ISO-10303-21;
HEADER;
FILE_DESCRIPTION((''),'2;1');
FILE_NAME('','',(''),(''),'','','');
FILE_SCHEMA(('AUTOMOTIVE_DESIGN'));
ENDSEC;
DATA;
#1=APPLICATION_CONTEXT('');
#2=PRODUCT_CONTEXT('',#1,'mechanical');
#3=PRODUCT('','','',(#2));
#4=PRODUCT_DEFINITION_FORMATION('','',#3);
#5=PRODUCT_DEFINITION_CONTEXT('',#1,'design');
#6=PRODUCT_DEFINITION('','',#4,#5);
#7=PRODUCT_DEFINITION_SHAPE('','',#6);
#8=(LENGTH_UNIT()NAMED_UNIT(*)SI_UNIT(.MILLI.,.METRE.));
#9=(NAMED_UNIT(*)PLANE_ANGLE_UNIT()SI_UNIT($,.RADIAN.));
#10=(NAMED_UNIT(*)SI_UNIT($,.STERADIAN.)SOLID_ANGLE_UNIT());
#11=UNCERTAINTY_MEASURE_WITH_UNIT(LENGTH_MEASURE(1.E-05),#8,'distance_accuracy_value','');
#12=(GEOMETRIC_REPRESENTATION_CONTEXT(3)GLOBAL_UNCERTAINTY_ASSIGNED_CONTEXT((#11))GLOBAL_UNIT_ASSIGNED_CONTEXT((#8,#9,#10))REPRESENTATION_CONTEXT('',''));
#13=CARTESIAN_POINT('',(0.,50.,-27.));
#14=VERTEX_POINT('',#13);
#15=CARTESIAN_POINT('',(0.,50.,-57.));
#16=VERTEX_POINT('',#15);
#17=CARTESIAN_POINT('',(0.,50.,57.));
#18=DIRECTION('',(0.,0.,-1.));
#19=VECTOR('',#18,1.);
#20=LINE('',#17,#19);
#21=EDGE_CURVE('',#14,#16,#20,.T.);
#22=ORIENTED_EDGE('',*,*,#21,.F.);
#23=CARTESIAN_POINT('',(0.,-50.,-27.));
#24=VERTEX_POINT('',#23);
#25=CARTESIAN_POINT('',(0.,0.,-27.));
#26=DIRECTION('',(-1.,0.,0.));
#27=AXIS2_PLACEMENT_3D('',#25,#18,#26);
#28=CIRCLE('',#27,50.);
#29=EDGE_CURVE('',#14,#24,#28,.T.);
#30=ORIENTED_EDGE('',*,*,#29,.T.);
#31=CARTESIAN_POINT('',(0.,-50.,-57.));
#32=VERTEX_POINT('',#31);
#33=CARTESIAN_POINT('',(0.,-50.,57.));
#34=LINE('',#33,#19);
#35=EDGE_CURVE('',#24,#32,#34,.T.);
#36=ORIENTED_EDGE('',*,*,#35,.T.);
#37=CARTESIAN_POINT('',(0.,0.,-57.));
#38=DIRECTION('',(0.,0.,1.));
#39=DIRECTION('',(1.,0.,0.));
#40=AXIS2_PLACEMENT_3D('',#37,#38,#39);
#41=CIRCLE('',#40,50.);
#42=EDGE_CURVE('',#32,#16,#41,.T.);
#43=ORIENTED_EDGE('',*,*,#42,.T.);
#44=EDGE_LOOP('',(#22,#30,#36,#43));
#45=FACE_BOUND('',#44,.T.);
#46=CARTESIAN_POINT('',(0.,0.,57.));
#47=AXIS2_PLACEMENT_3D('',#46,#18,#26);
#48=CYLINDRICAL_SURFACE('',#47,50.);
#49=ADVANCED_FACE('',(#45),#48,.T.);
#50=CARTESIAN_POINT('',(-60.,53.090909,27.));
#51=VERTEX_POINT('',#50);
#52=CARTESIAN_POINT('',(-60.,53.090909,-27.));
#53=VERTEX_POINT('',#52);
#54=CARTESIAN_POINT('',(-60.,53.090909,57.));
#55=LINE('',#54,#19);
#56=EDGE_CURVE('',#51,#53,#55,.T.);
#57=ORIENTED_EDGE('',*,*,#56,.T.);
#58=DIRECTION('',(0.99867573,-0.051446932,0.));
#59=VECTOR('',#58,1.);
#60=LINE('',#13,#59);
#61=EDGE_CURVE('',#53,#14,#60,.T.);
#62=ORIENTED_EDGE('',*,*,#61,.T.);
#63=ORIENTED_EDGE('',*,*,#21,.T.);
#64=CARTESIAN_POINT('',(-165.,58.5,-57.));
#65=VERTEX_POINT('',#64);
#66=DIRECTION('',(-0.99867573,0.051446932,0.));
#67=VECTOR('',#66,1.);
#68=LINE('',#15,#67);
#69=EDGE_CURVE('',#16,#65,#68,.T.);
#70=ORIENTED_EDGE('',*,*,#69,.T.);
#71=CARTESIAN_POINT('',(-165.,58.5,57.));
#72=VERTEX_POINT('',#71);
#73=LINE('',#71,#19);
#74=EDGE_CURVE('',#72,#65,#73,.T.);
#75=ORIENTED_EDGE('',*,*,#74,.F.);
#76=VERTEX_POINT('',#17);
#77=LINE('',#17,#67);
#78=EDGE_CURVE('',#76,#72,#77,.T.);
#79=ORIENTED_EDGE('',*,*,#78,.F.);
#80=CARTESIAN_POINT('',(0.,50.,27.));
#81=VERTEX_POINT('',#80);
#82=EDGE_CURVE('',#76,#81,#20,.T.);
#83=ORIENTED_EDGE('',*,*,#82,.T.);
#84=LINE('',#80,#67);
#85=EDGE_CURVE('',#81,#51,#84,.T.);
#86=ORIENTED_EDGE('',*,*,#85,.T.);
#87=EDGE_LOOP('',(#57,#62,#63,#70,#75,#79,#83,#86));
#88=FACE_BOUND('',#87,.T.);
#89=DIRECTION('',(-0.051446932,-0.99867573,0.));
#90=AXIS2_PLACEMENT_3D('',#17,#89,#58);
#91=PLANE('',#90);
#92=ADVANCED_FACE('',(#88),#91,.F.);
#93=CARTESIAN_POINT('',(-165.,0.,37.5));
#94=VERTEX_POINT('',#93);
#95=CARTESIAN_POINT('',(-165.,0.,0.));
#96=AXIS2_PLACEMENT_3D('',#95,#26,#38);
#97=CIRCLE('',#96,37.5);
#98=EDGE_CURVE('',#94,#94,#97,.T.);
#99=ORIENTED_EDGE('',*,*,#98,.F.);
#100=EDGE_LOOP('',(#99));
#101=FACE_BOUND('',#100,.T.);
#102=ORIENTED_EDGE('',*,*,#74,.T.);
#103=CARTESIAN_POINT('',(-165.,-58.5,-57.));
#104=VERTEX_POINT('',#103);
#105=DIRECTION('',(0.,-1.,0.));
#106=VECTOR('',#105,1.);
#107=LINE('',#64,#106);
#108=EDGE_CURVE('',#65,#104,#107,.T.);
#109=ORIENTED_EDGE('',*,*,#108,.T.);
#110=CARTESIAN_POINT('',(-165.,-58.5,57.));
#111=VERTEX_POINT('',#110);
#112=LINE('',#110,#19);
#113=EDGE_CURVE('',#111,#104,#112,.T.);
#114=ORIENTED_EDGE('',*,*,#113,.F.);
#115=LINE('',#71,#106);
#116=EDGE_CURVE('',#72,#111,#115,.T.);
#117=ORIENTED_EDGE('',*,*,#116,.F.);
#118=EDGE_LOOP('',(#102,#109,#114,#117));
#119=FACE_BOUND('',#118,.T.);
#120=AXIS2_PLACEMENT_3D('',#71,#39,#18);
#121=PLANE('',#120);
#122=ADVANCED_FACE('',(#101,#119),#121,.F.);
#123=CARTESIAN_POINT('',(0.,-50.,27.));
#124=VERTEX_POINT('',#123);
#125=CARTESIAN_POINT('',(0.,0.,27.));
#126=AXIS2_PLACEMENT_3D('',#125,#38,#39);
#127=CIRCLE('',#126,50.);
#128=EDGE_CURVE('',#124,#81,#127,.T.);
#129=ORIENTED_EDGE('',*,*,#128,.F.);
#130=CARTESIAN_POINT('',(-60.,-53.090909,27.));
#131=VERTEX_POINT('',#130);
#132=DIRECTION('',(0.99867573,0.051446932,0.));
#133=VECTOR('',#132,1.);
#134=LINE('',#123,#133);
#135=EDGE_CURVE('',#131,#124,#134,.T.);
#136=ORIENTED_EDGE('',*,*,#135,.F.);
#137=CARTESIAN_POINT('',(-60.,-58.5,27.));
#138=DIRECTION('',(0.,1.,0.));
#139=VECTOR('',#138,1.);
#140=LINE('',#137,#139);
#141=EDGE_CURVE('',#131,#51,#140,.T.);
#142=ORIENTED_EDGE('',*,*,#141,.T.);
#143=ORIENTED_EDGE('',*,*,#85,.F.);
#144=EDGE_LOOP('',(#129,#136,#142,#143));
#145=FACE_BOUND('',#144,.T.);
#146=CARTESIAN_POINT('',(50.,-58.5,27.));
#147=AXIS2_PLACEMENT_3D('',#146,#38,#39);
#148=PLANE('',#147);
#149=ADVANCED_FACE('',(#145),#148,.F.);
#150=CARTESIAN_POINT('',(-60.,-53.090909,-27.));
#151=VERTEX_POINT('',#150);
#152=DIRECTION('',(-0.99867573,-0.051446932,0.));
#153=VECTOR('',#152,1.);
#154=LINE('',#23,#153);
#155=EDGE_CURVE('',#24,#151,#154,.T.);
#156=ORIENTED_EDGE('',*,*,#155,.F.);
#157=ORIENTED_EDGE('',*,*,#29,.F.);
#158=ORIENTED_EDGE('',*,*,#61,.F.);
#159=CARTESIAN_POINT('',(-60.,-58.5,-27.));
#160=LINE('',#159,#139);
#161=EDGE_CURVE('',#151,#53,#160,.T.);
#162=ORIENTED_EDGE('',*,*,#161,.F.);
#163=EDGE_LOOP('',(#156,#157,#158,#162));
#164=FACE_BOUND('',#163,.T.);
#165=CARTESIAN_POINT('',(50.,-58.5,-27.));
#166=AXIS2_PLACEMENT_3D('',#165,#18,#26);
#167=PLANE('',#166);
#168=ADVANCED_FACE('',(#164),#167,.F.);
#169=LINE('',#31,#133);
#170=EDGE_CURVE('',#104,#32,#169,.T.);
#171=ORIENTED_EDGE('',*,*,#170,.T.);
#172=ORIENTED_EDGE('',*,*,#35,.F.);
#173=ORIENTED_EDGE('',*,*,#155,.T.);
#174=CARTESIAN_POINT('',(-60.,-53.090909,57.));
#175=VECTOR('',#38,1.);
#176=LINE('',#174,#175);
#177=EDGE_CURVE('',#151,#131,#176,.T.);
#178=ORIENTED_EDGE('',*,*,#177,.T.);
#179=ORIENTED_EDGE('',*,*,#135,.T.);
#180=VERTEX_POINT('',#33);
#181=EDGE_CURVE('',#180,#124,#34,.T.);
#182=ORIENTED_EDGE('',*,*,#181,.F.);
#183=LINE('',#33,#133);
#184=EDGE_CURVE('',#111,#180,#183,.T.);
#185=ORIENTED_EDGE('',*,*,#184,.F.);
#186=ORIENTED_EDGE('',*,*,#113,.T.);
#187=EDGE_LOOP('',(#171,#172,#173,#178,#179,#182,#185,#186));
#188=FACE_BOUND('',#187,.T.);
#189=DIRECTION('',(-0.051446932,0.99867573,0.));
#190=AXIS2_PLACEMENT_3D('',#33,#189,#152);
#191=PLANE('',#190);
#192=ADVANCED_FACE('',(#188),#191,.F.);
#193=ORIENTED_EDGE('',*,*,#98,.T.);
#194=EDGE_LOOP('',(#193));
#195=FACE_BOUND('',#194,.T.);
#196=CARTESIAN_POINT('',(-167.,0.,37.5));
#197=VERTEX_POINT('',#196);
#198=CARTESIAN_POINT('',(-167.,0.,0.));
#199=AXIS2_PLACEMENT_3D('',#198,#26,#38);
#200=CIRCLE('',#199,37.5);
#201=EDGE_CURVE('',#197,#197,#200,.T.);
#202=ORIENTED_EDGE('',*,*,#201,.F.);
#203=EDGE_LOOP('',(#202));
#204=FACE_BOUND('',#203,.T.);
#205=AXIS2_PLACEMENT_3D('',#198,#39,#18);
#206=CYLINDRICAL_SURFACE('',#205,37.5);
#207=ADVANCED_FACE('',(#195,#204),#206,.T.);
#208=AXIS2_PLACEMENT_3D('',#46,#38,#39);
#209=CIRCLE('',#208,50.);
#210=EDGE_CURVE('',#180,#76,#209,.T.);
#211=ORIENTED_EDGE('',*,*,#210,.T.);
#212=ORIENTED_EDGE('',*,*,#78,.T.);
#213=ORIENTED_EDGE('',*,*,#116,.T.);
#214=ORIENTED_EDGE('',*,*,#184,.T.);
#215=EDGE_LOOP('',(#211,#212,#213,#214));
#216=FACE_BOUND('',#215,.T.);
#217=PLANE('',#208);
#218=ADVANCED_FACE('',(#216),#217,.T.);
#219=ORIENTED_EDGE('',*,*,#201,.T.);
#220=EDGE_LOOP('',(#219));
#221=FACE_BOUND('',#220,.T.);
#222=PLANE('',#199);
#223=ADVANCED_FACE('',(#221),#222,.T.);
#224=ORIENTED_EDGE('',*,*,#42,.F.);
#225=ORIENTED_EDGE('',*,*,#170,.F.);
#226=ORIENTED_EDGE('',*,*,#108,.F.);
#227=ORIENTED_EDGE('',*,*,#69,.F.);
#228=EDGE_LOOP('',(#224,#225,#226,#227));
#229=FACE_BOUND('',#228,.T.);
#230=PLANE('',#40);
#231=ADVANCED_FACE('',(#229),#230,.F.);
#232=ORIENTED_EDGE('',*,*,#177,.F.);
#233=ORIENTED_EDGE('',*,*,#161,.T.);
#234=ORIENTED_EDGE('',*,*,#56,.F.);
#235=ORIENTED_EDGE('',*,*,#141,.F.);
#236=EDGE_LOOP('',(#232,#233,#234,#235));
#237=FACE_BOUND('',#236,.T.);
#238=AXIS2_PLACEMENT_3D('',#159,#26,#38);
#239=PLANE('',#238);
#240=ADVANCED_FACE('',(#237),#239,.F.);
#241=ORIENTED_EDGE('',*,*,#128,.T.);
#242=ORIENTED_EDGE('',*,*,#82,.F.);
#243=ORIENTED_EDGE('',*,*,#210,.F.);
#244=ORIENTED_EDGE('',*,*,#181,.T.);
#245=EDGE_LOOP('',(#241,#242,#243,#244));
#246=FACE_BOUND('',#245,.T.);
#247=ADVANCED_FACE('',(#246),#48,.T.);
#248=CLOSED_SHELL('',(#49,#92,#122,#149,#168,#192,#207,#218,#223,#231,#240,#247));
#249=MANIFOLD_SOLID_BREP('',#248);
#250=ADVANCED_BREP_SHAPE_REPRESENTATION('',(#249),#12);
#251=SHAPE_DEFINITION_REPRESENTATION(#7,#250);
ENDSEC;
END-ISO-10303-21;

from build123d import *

# Parameters (mm, degrees)
BOSS_EXTRUDE1_DEPTH     = 57
SKETCH2_R               = 37.5
BOSS_EXTRUDE2_DEPTH     = 2
CUT_EXTRUDE2_DEPTH      = 186.90387301
CUT_EXTRUDE2_DEPTH_BACK = 186.90387301
SKETCH3_W               = 110
SKETCH3_H               = 54


with BuildPart() as part:
    # Sketch1 → Boss-Extrude1 (new, symmetric)
    with BuildSketch(Plane.XY):
        with BuildLine():
            Line((0, 50), (-165, 58.5))
            Line((-165, 58.5), (-165, -58.5))
            Line((-165, -58.5), (0, -50))
            ThreePointArc((0, -50), (50, 0), (0, 50))
        make_face()
    extrude(amount=BOSS_EXTRUDE1_DEPTH, both=True)

    # Sketch2 → Boss-Extrude2 (add)
    with BuildSketch(Plane.ZY.offset(165)):
        Circle(SKETCH2_R)
    extrude(amount=BOSS_EXTRUDE2_DEPTH)

    # Sketch3 → Cut-Extrude2 (cut, two sides: drawn at the far end of the back side and taken through both)
    with BuildSketch(Plane(origin=(0, 0, 0), x_dir=(1, 0, 0), z_dir=(0, 1, 0)).offset(-CUT_EXTRUDE2_DEPTH_BACK)):
        with Locations((-5, 0)):
            Rectangle(SKETCH3_W, SKETCH3_H)
    extrude(amount=CUT_EXTRUDE2_DEPTH + CUT_EXTRUDE2_DEPTH_BACK, mode=Mode.SUBTRACT)


solid = part.part
